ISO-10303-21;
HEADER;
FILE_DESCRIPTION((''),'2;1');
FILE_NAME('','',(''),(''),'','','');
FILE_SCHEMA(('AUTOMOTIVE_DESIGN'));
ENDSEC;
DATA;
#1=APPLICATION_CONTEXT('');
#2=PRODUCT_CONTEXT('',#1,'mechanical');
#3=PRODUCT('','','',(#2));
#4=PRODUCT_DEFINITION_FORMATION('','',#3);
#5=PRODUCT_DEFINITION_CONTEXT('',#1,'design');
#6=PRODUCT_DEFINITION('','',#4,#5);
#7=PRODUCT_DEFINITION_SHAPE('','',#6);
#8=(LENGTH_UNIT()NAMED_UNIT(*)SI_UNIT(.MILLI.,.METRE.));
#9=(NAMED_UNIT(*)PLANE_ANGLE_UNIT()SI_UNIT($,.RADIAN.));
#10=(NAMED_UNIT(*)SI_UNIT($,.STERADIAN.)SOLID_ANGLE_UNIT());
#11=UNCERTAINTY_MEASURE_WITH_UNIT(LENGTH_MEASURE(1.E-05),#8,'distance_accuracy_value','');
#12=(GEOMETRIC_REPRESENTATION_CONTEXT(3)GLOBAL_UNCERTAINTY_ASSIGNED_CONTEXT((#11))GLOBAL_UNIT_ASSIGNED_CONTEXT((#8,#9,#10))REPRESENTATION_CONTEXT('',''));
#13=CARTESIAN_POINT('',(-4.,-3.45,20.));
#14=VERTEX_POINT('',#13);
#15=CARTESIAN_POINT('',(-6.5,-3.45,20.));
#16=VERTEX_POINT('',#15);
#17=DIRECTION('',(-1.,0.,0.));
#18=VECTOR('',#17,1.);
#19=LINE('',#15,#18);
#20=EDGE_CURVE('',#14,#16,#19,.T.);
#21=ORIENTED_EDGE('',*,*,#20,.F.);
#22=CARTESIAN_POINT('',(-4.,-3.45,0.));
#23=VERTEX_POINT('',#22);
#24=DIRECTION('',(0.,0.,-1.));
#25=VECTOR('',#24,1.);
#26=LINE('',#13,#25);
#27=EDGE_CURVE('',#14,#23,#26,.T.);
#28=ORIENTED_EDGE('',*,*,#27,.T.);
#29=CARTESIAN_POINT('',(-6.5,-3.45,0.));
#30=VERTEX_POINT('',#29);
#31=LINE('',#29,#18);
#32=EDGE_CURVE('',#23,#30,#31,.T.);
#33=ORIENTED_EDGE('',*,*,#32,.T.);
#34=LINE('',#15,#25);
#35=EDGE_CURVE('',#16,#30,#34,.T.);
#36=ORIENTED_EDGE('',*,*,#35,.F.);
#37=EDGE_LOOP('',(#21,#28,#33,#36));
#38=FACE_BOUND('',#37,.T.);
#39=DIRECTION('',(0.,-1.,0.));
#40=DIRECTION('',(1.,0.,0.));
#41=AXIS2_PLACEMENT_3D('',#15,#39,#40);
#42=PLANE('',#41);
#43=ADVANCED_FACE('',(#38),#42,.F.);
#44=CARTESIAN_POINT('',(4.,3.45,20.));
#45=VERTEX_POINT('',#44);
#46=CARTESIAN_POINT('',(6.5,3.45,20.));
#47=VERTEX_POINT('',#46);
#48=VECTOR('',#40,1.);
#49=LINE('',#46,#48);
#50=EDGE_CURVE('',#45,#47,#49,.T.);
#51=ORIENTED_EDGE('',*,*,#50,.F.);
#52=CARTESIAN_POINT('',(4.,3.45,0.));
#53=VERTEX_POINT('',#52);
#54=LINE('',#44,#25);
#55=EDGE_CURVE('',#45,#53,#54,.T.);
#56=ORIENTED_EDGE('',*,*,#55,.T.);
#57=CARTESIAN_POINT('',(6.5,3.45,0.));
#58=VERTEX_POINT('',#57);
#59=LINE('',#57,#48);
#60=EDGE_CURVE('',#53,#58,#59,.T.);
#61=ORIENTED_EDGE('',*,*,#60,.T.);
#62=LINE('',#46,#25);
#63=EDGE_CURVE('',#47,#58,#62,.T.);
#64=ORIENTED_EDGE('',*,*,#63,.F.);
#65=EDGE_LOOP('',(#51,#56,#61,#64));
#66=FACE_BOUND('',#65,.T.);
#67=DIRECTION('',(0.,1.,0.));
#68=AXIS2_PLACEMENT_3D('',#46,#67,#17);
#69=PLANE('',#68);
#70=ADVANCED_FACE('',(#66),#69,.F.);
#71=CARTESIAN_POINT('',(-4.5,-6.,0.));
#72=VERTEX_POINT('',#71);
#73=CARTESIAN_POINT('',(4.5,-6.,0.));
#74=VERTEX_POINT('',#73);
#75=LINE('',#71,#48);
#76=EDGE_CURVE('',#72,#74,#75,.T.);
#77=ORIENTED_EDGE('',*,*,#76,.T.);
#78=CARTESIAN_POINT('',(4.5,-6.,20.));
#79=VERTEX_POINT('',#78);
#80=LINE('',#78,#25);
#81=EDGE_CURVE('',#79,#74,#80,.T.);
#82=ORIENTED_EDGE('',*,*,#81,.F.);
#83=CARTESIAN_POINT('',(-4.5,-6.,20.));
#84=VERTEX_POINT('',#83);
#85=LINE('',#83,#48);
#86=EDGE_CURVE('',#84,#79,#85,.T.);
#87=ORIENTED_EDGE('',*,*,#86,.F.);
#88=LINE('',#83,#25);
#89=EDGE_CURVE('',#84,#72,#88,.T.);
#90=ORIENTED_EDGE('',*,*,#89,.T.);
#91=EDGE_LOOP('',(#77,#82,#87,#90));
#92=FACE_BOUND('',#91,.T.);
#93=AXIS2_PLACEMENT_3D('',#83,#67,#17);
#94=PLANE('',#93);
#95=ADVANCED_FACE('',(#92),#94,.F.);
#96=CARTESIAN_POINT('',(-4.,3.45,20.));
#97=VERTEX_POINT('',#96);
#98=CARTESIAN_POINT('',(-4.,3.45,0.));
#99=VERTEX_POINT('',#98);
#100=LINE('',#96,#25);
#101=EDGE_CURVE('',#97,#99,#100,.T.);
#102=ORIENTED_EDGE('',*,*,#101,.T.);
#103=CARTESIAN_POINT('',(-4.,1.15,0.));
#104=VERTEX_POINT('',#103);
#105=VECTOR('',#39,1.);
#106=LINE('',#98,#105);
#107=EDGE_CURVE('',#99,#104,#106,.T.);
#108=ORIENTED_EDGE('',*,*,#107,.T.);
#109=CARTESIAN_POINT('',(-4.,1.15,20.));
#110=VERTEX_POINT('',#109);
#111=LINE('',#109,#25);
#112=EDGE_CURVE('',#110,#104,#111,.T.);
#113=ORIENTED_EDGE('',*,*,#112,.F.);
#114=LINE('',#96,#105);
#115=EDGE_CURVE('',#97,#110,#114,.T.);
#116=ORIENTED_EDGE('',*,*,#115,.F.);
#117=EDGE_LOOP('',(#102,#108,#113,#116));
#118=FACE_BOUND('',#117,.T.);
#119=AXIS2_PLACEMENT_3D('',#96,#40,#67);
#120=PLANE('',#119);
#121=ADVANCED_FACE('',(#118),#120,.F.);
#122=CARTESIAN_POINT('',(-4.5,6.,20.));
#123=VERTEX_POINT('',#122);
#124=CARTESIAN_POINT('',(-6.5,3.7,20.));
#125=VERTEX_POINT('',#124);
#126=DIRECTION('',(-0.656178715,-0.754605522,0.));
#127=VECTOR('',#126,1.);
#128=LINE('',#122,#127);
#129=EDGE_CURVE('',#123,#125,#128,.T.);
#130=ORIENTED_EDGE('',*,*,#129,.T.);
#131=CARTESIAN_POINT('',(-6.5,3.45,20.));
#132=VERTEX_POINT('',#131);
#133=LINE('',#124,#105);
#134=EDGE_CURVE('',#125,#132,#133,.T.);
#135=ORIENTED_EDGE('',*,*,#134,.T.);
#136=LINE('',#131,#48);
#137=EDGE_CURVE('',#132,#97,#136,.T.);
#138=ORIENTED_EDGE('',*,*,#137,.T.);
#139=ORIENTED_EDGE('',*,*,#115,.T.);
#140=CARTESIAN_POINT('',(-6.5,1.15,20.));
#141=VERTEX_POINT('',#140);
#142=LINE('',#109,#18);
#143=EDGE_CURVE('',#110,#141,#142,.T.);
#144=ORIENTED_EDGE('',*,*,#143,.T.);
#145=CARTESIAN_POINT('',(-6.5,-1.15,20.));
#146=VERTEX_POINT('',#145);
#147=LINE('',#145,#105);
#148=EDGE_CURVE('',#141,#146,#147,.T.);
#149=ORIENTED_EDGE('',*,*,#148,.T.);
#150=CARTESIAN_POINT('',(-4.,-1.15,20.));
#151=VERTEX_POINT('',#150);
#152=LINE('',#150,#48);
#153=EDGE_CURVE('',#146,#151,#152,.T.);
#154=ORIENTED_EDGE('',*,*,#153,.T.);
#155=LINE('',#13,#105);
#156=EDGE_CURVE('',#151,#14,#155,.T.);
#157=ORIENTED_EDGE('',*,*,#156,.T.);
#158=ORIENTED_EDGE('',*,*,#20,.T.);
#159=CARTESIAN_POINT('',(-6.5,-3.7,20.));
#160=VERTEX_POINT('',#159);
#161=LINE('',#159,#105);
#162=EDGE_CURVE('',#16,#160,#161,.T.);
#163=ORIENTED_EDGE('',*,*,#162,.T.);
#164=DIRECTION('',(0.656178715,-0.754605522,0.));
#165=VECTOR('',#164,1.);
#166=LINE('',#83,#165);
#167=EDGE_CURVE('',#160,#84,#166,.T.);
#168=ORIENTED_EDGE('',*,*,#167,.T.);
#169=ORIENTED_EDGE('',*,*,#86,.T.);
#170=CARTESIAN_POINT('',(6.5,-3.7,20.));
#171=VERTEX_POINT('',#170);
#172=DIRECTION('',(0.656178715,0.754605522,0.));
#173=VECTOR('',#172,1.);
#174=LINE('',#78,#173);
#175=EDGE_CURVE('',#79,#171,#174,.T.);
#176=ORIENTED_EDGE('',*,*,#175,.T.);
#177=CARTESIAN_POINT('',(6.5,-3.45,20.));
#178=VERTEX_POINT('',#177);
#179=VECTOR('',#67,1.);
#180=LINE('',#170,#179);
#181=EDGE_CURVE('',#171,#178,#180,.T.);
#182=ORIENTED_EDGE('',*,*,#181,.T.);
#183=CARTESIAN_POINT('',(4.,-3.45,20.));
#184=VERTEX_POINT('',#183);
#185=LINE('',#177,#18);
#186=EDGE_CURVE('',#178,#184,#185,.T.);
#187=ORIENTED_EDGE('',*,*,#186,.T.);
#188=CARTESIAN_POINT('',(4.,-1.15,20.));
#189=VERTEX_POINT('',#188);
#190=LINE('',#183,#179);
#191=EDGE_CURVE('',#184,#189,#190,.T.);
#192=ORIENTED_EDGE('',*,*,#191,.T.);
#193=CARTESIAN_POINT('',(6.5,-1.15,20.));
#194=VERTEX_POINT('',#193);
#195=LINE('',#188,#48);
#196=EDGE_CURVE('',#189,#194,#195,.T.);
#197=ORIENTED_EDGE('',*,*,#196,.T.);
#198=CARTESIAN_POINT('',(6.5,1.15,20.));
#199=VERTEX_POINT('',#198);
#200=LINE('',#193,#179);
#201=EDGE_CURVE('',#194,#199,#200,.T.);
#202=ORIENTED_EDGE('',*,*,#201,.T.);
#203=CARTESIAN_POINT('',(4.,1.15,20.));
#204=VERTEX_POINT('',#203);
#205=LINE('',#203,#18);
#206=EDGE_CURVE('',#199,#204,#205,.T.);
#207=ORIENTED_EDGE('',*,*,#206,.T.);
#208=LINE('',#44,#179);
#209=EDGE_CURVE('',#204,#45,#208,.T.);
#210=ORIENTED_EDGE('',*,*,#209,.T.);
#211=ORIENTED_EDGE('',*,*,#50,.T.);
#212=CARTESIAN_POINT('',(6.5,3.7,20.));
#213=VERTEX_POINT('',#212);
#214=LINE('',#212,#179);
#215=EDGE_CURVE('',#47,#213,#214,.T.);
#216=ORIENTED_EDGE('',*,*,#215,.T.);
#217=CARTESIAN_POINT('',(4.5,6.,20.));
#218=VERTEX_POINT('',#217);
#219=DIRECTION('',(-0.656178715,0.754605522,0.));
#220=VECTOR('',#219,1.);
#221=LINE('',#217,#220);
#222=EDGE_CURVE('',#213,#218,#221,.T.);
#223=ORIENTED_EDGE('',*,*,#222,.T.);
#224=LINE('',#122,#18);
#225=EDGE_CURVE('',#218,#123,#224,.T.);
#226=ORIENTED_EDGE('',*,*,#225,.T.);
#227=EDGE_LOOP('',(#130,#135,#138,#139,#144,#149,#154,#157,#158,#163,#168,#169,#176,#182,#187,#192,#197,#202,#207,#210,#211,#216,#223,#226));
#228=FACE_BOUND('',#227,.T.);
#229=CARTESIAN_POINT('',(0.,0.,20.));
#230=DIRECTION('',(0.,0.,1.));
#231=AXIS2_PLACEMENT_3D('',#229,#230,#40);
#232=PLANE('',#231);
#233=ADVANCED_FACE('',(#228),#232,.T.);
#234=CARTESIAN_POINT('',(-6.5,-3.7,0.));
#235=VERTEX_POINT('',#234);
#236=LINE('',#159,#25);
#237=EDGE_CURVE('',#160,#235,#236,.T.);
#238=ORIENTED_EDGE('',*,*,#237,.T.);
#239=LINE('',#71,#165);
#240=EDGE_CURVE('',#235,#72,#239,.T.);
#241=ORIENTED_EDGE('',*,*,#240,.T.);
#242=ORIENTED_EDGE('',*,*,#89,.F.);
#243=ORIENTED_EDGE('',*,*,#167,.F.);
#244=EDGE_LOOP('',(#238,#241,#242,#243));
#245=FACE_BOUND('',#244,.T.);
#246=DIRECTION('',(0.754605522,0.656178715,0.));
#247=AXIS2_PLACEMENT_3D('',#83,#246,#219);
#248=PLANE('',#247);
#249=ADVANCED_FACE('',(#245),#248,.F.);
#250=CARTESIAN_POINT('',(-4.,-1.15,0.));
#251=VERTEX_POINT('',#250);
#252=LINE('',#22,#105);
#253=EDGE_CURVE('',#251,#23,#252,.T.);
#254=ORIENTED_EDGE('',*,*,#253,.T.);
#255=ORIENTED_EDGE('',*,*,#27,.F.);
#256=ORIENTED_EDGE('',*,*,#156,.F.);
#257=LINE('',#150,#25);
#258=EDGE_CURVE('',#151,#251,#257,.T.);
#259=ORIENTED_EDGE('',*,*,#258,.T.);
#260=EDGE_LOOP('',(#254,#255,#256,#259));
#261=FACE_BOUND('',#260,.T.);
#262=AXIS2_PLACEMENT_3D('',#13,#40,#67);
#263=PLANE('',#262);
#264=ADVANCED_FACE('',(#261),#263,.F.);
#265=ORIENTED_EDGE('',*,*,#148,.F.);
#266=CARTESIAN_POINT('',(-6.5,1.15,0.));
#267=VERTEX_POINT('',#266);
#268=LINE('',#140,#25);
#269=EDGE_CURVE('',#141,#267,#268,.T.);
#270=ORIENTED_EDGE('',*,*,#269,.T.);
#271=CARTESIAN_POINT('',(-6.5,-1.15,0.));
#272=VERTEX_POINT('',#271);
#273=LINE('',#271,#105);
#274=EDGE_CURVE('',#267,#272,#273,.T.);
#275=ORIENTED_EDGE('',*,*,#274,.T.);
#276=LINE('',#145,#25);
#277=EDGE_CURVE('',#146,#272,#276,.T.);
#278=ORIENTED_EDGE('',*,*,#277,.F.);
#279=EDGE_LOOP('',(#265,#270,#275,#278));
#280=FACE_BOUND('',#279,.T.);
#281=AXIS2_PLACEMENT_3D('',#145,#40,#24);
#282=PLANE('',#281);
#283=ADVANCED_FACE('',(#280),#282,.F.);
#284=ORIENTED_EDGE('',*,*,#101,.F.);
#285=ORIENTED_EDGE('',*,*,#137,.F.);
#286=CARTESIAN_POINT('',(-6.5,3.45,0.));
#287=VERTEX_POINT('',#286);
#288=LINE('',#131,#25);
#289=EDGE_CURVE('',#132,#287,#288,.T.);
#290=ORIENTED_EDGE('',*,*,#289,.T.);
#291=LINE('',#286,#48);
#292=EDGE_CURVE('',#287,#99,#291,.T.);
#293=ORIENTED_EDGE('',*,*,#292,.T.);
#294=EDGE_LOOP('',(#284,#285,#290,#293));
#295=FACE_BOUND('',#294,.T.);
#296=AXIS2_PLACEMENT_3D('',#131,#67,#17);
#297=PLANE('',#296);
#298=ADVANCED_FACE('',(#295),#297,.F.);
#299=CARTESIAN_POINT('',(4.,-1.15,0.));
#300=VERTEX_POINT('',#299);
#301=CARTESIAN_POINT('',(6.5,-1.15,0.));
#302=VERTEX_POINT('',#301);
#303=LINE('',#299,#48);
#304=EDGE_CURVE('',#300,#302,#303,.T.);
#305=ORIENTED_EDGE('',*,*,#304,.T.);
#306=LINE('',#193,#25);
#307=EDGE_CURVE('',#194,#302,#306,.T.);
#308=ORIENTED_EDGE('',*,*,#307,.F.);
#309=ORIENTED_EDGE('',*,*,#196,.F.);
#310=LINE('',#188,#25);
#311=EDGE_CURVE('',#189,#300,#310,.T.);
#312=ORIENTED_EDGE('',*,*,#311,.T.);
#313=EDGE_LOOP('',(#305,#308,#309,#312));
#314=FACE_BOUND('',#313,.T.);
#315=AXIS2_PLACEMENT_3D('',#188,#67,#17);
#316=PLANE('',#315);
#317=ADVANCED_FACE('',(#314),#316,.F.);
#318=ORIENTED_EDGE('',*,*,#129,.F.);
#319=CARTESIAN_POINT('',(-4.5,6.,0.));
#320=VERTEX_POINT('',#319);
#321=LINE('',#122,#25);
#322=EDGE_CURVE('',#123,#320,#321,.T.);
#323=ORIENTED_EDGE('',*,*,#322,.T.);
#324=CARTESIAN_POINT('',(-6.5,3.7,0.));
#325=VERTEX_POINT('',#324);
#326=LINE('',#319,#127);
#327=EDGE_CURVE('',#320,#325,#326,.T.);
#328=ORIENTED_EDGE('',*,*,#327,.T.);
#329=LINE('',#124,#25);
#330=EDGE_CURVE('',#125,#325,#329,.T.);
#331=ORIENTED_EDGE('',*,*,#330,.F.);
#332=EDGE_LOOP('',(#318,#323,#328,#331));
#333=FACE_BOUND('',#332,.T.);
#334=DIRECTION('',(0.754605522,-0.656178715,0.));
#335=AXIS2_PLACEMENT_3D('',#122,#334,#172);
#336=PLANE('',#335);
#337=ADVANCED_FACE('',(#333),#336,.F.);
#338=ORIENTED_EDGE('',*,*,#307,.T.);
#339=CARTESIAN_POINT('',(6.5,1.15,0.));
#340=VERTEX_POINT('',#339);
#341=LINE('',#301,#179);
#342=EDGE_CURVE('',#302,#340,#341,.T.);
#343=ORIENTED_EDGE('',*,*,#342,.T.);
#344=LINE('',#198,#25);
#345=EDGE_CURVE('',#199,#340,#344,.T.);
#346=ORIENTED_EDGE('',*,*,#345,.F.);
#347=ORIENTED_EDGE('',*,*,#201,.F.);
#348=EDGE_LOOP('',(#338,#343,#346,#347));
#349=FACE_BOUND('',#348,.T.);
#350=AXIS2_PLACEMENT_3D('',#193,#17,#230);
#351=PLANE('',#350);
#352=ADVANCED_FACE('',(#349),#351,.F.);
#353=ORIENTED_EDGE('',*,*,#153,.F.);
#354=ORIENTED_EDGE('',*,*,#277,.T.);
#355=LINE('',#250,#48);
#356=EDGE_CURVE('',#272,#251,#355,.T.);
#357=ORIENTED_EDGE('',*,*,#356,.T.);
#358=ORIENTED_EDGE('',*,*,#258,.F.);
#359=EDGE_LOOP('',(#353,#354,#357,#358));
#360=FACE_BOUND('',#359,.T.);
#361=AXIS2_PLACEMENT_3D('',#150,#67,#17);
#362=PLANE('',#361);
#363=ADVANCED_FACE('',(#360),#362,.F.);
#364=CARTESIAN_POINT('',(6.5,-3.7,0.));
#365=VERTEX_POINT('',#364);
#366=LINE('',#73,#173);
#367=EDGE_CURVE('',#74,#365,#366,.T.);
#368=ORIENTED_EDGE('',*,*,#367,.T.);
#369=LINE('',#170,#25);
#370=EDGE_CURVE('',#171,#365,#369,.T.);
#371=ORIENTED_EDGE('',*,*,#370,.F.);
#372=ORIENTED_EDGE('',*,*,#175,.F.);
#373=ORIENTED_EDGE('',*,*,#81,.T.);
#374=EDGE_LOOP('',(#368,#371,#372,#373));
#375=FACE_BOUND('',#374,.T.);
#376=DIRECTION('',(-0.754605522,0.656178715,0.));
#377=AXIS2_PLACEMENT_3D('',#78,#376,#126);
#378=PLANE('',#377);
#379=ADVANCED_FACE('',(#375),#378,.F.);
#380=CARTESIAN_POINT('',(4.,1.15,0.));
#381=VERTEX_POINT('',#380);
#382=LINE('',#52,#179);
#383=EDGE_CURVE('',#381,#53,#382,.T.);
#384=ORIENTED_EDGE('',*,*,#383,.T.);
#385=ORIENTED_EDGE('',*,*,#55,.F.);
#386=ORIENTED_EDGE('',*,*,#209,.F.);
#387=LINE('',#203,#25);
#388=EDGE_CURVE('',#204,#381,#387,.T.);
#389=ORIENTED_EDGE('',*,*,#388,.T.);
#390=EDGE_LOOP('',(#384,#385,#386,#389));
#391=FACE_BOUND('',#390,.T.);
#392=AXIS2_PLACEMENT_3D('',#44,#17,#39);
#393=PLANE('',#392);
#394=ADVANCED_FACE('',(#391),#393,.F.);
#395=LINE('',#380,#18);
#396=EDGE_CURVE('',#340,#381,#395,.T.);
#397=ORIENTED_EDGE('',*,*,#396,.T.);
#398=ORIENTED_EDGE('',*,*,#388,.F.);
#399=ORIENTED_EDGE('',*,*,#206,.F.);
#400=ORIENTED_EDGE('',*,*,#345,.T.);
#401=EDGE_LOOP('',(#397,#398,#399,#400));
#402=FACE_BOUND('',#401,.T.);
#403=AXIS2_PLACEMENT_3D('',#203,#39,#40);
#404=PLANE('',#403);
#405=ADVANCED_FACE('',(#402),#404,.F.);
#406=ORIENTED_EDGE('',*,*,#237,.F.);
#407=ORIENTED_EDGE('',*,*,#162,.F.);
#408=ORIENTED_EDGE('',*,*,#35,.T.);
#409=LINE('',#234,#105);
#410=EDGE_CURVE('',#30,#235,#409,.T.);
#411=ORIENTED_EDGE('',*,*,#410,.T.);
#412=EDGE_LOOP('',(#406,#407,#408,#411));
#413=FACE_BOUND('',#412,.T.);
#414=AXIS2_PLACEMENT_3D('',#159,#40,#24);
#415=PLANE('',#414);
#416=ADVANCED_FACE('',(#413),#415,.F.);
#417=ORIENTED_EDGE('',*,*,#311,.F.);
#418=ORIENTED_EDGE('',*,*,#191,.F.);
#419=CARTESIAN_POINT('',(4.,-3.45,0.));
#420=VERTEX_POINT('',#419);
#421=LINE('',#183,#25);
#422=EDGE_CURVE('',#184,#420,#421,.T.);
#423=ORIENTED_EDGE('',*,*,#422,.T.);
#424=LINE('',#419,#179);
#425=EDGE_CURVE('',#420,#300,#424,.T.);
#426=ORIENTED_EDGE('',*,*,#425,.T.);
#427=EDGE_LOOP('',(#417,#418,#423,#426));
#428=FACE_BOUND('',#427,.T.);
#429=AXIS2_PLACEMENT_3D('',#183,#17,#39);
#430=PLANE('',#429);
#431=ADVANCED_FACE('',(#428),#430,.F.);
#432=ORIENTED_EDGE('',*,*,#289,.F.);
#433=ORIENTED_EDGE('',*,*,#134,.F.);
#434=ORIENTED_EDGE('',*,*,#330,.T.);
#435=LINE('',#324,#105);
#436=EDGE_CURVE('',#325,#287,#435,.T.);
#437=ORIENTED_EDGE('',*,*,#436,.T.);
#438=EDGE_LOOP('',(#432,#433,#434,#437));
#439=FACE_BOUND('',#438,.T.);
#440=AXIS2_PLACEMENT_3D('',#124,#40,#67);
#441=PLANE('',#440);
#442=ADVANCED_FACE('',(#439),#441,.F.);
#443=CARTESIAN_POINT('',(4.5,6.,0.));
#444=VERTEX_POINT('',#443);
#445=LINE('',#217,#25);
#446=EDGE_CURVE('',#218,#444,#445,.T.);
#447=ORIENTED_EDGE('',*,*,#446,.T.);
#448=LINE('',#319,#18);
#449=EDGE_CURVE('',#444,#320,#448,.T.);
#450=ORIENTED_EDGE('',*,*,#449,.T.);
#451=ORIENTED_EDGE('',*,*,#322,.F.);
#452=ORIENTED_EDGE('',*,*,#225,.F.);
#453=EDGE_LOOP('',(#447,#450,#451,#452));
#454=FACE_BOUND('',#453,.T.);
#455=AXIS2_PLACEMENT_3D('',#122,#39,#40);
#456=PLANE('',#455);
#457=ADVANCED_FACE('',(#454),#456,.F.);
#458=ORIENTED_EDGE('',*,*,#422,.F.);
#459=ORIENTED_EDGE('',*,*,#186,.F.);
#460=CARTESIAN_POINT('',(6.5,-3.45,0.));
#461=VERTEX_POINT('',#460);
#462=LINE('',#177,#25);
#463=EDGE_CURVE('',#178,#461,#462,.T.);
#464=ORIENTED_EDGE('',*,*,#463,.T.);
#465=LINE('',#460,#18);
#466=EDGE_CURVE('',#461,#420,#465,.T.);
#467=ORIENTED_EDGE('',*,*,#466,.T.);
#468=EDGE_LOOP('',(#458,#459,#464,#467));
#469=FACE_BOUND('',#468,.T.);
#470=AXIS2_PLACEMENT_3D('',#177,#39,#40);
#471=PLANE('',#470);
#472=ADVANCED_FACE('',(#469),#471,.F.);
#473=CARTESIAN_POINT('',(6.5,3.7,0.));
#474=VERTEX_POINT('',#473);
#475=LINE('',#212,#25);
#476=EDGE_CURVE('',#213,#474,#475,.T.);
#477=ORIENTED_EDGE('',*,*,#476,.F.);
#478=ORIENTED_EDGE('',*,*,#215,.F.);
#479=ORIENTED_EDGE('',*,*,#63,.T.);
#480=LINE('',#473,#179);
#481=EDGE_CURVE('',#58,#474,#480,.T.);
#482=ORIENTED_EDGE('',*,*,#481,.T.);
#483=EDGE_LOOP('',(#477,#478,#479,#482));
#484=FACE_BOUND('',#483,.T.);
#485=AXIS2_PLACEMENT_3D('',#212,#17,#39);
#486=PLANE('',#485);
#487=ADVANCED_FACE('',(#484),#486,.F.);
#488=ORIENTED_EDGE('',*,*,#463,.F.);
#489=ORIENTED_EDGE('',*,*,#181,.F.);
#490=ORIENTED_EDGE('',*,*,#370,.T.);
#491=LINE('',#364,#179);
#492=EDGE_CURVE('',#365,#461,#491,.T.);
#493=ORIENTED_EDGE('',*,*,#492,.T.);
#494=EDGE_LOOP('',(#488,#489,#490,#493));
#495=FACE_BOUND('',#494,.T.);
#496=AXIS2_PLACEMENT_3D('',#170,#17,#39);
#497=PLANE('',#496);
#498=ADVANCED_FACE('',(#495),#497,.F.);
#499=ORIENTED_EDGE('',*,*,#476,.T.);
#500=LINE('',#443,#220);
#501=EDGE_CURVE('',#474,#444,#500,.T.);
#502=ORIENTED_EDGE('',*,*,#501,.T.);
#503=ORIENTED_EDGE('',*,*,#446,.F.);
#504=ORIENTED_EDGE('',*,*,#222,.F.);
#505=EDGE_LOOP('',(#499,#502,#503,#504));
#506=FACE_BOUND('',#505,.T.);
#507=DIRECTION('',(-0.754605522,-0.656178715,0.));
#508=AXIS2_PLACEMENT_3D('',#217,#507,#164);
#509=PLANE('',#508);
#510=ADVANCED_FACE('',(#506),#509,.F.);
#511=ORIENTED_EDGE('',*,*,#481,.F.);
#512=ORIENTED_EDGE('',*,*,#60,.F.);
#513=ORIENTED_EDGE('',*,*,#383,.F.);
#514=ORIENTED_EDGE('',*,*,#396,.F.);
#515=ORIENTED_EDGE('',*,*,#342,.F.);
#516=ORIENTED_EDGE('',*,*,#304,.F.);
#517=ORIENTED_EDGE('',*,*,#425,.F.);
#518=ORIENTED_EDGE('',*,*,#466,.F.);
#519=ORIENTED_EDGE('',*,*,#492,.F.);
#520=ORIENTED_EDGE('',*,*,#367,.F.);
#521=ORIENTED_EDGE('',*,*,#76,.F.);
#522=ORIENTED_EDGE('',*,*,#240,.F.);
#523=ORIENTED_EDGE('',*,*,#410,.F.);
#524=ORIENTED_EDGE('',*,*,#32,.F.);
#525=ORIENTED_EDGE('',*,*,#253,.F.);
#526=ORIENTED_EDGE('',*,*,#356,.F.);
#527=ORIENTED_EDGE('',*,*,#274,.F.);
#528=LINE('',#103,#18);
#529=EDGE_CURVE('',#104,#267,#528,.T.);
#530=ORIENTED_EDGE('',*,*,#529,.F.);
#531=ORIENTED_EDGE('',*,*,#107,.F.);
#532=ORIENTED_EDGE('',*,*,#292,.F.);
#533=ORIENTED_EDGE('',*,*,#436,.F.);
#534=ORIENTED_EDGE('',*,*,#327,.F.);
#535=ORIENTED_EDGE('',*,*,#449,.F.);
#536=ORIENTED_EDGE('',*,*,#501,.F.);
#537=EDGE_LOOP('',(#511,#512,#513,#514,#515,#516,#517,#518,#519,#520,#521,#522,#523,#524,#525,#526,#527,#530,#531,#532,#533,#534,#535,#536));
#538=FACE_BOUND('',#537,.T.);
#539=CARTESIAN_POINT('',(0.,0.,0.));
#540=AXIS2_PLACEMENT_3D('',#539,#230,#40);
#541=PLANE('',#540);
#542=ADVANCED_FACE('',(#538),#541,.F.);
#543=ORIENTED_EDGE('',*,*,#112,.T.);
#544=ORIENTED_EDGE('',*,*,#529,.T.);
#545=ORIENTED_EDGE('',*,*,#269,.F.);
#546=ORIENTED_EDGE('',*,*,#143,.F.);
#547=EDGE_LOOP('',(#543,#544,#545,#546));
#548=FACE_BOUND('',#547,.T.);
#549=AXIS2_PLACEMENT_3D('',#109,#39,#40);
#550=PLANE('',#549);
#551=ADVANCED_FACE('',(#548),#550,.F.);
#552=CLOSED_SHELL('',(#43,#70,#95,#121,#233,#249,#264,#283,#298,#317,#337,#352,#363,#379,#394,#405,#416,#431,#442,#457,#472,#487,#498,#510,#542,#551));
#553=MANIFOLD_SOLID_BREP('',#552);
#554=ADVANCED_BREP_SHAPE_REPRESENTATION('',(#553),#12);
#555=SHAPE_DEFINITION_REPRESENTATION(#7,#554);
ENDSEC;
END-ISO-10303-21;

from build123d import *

# Parameters (mm, degrees)
RESSALTO_EXTRUS_O1_DEPTH = 20


with BuildPart() as part:
    # Esboço1 → Ressalto-extrusão1 (new body)
    with BuildSketch(Plane.XY):
        Polygon((-4.5, -6), (4.5, -6), (6.5, -3.7), (6.5, -3.45), (4, -3.45), (4, -1.15), (6.5, -1.15), (6.5, 1.15), (4, 1.15), (4, 3.45), (6.5, 3.45), (6.5, 3.7), (4.5, 6), (-4.5, 6), (-6.5, 3.7), (-6.5, 3.45), (-4, 3.45), (-4, 1.15), (-6.5, 1.15), (-6.5, -1.15), (-4, -1.15), (-4, -3.45), (-6.5, -3.45), (-6.5, -3.7), align=None)
    extrude(amount=RESSALTO_EXTRUS_O1_DEPTH)


solid = part.part
